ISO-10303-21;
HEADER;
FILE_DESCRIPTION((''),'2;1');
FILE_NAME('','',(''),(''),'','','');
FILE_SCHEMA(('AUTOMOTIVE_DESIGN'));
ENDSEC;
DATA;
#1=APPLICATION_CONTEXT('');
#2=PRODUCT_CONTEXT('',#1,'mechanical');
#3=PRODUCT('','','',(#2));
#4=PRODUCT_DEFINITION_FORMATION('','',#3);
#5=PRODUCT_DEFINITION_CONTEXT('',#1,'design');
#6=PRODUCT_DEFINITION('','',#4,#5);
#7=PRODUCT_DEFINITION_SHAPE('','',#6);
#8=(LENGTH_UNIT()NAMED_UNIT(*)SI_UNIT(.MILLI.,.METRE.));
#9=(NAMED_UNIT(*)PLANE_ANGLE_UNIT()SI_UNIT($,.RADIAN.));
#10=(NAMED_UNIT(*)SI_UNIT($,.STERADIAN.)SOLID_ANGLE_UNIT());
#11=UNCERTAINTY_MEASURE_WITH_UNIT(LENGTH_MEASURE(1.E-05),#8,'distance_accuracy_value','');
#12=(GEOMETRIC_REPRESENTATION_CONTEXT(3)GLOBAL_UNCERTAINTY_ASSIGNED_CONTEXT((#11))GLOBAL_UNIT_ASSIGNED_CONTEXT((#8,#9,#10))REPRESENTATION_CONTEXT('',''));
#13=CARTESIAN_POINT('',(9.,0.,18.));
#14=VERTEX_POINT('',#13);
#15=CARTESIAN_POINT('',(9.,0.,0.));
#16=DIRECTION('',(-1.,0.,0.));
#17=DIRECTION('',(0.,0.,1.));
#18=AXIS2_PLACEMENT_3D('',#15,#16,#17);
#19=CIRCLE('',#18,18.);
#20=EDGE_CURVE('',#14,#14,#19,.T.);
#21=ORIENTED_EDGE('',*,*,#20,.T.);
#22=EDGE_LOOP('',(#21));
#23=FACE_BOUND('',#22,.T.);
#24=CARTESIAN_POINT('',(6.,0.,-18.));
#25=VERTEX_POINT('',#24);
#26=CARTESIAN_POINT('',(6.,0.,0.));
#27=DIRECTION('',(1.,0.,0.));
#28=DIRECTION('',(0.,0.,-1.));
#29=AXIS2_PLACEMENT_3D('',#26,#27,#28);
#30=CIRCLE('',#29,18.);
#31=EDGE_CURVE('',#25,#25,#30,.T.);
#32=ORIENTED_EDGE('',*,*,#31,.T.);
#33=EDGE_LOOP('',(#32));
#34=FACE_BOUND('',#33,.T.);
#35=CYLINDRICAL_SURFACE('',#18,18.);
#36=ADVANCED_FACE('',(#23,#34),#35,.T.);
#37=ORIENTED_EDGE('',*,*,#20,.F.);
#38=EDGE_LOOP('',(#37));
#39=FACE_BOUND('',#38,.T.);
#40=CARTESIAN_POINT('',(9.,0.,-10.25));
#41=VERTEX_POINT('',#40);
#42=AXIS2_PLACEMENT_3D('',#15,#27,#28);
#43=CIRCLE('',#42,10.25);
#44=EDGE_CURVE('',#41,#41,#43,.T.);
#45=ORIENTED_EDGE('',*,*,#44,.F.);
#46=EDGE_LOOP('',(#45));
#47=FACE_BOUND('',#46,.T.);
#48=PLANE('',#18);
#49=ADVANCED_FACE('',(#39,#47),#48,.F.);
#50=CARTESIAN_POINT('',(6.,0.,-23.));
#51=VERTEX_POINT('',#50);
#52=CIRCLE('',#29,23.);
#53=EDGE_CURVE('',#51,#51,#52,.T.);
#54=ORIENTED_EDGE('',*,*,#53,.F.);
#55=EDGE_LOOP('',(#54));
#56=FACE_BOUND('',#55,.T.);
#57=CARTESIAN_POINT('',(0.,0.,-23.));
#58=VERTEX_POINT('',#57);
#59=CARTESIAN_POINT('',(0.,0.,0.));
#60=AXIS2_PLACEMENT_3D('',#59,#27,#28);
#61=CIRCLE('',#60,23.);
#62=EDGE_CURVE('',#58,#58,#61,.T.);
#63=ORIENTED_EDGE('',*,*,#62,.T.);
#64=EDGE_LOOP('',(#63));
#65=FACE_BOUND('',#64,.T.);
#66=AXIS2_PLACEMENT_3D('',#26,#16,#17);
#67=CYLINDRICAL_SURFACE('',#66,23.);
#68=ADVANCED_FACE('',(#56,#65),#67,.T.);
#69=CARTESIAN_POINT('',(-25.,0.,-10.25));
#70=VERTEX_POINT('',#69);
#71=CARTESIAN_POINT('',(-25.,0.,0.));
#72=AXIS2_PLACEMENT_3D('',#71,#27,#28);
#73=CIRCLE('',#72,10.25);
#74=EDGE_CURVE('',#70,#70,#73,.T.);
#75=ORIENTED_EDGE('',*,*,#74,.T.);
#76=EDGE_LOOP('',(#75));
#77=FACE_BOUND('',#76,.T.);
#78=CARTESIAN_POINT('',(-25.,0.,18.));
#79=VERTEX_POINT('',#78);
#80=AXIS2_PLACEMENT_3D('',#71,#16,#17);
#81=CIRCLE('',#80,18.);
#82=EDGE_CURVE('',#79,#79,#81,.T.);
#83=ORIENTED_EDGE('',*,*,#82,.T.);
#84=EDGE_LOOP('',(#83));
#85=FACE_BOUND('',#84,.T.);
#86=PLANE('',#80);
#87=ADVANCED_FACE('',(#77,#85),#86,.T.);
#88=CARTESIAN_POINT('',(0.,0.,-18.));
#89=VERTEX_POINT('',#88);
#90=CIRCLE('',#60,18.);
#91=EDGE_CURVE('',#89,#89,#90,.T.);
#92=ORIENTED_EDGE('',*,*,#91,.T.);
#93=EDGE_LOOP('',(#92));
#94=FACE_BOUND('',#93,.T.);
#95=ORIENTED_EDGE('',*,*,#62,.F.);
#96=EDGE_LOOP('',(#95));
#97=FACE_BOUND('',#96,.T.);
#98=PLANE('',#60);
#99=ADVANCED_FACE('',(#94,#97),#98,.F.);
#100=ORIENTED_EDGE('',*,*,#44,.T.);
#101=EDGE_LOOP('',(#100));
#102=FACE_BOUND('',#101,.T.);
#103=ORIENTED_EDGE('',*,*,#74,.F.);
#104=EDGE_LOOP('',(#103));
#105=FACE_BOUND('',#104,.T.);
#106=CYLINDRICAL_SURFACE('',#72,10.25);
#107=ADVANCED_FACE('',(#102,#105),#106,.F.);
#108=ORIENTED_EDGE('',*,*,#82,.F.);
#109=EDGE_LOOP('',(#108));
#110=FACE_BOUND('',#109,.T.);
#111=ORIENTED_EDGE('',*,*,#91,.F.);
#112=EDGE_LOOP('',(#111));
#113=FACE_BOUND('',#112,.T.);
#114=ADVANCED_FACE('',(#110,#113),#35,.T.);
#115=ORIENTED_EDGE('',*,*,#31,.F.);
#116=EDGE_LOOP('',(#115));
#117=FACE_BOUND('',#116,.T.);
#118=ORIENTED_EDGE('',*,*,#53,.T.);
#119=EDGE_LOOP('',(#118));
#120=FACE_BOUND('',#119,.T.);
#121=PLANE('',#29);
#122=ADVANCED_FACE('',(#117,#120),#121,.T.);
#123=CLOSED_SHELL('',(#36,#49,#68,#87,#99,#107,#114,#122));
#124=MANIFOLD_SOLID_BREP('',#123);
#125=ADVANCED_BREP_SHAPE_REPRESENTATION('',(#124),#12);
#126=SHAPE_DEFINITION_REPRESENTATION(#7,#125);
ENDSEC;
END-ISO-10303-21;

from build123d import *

# Parameters (mm, degrees)
SKETCH_1_R           = 23
EXTRUDE_1_DEPTH      = 6
EXTRUDE_2_DEPTH      = 25
EXTRUDE_2_DEPTH_BACK = 9
SKETCH_2_R           = 18
SKETCH_3_R           = 10.25
CUT_EXTRUDE_1_DEPTH  = 48.053161424


with BuildPart() as part:
    # 草图1 → 凸台-拉伸1 (new body)
    with BuildSketch(Plane(origin=(0, 0, 0), x_dir=(0, 0, -1), z_dir=(1, 0, 0))):
        Circle(SKETCH_1_R)
    extrude(amount=EXTRUDE_1_DEPTH)

    # 草图2 → 凸台-拉伸2 (add, two sides: drawn at the far end of the back side and taken through both)
    with BuildSketch(Plane.ZY.offset(-EXTRUDE_2_DEPTH_BACK)):
        Circle(SKETCH_2_R)
    extrude(amount=EXTRUDE_2_DEPTH + EXTRUDE_2_DEPTH_BACK)

    # 草图3 → 切除-拉伸1 (cut, through all)
    with BuildSketch(Plane(origin=(9, 0, 0), x_dir=(0, 0, -1), z_dir=(1, 0, 0))):
        Circle(SKETCH_3_R)
    extrude(amount=-CUT_EXTRUDE_1_DEPTH, mode=Mode.SUBTRACT)


solid = part.part
